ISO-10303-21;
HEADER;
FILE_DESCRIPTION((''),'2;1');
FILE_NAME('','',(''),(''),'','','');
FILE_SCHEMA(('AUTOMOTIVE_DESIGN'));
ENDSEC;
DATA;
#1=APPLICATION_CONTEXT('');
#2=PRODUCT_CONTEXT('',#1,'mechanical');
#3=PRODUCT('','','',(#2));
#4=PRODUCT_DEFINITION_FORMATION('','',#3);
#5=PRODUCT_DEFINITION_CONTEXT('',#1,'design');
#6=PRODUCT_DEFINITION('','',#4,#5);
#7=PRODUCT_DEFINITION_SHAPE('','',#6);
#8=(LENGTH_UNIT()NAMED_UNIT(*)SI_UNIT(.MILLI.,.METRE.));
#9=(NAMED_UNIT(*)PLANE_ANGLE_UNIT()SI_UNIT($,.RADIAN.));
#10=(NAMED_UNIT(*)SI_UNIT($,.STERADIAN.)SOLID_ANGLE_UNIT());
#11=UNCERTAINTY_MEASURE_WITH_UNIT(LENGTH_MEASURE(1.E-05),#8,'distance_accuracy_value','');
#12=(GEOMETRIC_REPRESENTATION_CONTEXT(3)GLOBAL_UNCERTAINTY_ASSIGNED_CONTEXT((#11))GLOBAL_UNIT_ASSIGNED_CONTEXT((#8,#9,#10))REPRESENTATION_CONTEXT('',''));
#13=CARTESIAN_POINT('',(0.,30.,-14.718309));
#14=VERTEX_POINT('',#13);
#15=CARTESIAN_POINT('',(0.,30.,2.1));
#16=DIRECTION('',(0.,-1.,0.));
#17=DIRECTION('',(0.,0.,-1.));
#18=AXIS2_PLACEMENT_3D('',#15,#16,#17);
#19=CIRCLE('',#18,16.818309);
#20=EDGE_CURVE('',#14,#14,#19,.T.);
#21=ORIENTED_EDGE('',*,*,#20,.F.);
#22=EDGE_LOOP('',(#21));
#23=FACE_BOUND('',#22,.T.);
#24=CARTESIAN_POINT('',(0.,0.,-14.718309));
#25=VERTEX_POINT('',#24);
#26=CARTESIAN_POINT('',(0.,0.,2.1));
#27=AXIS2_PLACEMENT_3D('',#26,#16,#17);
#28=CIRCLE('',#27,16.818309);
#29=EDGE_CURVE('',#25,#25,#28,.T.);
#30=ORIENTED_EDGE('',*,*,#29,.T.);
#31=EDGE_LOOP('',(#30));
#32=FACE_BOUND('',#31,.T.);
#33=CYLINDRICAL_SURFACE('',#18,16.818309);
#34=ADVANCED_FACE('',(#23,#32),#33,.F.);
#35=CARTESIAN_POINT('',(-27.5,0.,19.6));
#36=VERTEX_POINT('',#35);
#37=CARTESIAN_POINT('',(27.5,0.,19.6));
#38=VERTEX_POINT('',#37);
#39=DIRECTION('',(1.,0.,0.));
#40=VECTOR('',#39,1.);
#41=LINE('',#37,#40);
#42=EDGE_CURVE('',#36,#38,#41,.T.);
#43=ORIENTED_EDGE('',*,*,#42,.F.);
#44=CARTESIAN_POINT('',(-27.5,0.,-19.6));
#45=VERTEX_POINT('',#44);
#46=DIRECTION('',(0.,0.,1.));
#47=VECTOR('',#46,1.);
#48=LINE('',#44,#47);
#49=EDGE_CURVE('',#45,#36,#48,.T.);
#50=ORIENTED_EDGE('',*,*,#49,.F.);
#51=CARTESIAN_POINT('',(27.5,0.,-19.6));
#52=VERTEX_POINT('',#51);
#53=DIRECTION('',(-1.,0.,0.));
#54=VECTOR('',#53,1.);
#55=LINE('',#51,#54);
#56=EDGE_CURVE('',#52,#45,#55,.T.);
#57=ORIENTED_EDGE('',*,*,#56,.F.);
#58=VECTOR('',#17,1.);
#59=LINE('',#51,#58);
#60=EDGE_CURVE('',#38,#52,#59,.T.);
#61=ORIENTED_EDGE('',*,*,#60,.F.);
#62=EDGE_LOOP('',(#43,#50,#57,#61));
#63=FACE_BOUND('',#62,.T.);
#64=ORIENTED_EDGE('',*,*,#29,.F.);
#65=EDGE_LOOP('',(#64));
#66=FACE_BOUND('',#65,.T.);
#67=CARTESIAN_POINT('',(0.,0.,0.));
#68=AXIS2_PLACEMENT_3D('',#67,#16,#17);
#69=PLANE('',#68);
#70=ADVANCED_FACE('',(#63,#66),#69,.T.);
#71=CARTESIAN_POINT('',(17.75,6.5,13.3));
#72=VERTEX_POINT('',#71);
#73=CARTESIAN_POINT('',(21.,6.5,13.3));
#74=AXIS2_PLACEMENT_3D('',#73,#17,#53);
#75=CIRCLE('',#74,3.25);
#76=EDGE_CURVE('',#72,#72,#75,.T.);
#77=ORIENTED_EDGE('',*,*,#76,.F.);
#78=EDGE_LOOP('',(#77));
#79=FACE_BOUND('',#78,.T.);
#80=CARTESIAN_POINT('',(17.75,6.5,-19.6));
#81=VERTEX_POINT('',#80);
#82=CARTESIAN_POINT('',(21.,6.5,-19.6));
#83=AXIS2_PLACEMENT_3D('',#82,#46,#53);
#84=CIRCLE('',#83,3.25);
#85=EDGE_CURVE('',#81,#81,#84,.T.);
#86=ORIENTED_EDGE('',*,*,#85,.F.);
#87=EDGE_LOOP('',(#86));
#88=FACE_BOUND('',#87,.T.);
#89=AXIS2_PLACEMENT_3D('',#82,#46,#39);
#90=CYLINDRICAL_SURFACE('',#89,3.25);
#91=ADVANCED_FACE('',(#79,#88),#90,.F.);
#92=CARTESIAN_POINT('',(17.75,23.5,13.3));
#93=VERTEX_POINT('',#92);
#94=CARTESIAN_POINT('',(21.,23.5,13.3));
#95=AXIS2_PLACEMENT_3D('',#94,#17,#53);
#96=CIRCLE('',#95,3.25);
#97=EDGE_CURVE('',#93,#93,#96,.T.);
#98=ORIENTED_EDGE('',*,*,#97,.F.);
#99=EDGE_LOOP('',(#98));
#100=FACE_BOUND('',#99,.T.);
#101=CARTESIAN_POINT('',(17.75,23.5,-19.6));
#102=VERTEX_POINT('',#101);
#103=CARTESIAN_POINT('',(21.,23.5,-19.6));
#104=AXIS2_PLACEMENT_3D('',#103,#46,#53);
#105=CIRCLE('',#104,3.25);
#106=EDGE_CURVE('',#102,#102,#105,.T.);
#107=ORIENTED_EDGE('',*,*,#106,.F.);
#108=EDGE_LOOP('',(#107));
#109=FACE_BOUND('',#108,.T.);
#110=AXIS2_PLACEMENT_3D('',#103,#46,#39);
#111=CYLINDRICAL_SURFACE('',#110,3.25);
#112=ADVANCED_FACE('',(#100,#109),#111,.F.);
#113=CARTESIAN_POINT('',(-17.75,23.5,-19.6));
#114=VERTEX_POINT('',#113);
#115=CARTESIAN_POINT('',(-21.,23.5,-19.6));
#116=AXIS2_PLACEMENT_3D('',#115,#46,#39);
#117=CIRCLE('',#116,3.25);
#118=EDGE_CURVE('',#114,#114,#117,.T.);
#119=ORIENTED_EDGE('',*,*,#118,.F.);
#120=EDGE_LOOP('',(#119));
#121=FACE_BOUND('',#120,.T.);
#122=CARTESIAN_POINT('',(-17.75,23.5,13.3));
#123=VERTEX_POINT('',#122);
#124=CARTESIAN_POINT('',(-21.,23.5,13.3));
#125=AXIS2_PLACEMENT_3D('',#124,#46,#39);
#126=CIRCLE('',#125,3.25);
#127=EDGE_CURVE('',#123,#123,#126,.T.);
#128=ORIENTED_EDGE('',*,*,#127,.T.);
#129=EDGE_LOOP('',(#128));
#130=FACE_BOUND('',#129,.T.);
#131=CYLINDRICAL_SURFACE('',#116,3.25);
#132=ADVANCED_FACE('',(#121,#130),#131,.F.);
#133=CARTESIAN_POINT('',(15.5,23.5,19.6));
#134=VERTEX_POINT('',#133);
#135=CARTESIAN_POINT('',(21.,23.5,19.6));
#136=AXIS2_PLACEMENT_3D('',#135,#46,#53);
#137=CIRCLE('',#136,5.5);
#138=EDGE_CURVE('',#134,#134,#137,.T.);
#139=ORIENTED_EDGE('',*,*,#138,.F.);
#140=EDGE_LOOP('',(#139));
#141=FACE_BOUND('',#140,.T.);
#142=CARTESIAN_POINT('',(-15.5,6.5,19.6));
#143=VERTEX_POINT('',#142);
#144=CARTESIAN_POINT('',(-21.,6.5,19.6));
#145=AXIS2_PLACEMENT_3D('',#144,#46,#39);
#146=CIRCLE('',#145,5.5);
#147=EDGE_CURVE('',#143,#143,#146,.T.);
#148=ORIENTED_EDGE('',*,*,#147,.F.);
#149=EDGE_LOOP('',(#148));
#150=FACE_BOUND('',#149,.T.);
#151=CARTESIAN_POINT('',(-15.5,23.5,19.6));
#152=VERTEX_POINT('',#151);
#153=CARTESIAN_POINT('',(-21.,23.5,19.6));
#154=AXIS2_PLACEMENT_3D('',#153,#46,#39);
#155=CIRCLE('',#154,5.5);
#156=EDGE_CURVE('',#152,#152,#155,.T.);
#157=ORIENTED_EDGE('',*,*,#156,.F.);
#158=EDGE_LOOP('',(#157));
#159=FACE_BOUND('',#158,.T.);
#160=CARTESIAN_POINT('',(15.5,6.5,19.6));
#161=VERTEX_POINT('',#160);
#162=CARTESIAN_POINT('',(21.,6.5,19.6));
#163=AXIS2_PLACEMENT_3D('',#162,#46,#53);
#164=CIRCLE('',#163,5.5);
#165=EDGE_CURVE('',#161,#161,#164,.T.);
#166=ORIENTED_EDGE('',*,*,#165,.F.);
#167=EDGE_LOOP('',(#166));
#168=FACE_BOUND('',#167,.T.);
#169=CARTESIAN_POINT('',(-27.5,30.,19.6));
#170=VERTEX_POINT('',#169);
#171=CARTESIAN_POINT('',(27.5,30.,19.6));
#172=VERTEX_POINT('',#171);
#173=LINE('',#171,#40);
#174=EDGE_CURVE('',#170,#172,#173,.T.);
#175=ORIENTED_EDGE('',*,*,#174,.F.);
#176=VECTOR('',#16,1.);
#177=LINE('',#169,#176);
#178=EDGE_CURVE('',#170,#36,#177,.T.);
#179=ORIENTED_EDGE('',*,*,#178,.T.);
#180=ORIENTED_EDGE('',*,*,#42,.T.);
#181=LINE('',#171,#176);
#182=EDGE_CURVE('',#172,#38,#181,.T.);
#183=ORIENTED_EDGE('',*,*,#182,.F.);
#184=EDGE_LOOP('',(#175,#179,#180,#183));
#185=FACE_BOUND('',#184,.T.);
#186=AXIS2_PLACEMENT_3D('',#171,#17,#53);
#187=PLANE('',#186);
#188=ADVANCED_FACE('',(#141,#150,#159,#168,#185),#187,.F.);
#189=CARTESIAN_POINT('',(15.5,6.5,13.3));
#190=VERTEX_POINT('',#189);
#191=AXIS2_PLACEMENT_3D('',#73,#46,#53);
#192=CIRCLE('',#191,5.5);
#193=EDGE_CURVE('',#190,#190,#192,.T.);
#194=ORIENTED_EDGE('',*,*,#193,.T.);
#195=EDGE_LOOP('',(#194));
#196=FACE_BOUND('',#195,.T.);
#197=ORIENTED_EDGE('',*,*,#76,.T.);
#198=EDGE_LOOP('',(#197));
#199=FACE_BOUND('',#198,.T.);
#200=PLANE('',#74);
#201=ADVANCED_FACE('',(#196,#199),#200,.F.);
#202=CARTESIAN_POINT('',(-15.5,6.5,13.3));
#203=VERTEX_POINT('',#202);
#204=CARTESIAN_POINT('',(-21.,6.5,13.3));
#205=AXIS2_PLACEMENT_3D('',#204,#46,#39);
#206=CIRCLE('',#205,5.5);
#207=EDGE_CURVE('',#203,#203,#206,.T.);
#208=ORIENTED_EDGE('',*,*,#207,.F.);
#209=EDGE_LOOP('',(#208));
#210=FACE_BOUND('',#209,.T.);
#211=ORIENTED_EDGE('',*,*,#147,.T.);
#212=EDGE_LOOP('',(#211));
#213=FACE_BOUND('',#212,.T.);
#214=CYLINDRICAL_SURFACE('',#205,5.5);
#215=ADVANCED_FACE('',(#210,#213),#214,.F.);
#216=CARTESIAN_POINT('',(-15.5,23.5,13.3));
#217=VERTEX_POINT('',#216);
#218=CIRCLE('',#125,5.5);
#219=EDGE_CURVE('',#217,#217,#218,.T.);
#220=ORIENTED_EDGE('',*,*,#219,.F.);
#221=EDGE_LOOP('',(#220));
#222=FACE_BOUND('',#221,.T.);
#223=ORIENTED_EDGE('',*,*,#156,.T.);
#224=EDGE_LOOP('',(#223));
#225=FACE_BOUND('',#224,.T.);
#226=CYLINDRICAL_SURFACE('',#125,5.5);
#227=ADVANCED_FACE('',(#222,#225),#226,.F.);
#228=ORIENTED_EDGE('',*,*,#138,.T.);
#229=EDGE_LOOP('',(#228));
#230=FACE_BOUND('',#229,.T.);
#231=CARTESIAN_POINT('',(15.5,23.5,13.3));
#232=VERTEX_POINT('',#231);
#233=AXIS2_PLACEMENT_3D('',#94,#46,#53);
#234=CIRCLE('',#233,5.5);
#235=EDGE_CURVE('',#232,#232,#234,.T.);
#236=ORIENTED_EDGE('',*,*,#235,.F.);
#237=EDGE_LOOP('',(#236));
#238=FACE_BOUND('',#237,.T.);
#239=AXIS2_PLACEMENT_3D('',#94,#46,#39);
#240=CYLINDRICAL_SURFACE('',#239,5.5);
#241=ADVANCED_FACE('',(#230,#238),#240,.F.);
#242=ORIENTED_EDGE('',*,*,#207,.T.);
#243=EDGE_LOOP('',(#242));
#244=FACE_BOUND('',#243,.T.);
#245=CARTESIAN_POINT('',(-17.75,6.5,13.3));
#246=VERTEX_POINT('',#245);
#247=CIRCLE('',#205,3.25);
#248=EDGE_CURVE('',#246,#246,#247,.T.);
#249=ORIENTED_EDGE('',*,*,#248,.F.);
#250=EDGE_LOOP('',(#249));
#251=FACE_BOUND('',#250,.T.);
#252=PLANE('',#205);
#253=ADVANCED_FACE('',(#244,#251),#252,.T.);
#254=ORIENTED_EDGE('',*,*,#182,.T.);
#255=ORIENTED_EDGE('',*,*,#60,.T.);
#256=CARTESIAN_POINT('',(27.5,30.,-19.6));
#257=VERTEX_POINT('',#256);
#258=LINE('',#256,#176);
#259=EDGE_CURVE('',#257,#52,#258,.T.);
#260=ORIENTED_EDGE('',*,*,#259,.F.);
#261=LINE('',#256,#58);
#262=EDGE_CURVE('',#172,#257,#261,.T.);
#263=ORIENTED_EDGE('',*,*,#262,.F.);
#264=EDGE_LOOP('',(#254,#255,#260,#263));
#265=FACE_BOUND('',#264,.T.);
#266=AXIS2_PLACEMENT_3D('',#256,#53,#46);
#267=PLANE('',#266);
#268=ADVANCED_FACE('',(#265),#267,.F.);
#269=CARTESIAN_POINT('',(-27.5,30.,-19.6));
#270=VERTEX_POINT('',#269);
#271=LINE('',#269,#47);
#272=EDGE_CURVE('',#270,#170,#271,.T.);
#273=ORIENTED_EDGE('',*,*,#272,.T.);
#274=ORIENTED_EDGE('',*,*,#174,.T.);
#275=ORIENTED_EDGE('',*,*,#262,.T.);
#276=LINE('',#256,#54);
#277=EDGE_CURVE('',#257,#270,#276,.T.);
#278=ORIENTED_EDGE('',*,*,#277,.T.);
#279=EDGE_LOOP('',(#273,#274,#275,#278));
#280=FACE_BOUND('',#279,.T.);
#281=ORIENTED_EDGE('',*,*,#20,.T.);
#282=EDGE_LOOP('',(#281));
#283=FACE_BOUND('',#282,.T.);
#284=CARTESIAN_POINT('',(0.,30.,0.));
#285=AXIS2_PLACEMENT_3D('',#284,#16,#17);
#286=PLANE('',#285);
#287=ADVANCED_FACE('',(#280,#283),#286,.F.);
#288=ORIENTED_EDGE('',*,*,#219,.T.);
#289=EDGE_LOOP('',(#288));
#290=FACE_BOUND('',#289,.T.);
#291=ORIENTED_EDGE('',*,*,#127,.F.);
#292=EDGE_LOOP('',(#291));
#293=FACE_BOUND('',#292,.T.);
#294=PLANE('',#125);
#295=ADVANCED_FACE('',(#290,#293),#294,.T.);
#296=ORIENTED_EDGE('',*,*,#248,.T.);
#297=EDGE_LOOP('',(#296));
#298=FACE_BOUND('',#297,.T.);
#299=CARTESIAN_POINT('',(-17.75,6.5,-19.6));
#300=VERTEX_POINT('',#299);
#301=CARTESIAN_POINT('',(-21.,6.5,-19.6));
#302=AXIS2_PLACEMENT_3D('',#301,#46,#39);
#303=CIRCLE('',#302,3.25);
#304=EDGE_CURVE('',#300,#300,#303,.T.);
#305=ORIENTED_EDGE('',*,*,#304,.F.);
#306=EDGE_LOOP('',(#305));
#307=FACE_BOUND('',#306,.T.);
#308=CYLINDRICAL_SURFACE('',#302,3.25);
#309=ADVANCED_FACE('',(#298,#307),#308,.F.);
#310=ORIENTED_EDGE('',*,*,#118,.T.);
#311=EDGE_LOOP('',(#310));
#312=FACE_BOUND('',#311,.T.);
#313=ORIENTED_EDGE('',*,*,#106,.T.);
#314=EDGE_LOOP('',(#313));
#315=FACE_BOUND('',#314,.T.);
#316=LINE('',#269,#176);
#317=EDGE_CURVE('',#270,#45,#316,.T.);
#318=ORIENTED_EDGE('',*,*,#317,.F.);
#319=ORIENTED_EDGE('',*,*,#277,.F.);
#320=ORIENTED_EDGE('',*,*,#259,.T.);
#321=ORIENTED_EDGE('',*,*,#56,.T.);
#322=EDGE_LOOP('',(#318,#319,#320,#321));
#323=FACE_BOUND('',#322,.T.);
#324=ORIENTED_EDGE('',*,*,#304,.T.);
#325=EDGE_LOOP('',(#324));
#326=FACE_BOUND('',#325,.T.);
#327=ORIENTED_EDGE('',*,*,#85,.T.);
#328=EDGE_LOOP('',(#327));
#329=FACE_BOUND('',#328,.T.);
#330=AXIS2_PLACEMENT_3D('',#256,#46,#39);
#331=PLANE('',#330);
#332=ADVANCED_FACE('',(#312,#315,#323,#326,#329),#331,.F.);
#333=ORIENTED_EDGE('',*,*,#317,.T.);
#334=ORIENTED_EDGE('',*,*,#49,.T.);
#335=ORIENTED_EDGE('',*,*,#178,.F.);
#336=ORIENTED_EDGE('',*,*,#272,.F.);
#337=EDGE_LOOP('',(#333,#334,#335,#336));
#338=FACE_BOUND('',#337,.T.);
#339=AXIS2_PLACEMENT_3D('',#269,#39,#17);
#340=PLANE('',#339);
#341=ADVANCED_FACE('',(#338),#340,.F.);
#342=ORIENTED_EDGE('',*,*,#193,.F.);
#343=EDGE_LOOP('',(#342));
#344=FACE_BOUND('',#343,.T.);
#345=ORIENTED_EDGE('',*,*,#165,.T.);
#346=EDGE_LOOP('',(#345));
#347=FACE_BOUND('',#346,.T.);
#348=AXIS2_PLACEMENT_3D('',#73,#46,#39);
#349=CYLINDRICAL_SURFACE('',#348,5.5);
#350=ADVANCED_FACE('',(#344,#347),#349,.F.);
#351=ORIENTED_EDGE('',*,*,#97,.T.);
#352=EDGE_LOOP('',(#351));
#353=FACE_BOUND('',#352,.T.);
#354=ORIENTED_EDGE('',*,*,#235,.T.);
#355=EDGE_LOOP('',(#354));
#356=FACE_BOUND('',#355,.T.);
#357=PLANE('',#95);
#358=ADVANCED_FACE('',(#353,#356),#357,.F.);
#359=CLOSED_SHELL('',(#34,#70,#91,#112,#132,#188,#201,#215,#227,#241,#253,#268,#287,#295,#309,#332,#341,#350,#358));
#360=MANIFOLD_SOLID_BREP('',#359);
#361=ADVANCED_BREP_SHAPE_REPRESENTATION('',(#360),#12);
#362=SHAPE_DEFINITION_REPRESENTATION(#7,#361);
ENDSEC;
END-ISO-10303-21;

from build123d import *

# Parameters (mm, degrees)
SKETCH1_W           = 55
SKETCH1_H           = 39.2
BOSS_EXTRUDE1_DEPTH = 30
SKETCH2_R           = 16.818308595
CUT_EXTRUDE1_DEPTH  = 46.170897711
SKETCH3_R           = 5.5
CUT_EXTRUDE2_DEPTH  = 6.3
SKETCH5_R           = 3.25
CUT_EXTRUDE3_DEPTH  = 57.505663433


with BuildPart() as part:
    # Sketch1 → Boss-Extrude1 (new body)
    with BuildSketch(Plane(origin=(0, 0, 0), x_dir=(1, 0, 0), z_dir=(0, 1, 0))):
        Rectangle(SKETCH1_W, SKETCH1_H)
    extrude(amount=BOSS_EXTRUDE1_DEPTH)

    # Sketch2 → Cut-Extrude1 (cut, through all)
    with BuildSketch(Plane.XZ):
        with Locations(Location((0, 2.1, 0), (0, 0, 270))):
            Circle(SKETCH2_R)
    extrude(amount=-CUT_EXTRUDE1_DEPTH, mode=Mode.SUBTRACT)

    # Sketch3 → Cut-Extrude2 (cut)
    with BuildSketch(Plane.XY.offset(19.6)):
        with Locations((-21, 23.5)):
            Circle(SKETCH3_R)
        with Locations((-21, 6.5)):
            Circle(SKETCH3_R)
        with Locations(Location((21, 6.5, 0), (0, 0, 180))):
            Circle(SKETCH3_R)
        with Locations(Location((21, 23.5, 0), (0, 0, 180))):
            Circle(SKETCH3_R)
    extrude(amount=-CUT_EXTRUDE2_DEPTH, mode=Mode.SUBTRACT)

    # Sketch5 → Cut-Extrude3 (cut, through all)
    with BuildSketch(Plane.XY.offset(19.6)):
        with Locations((-21, 6.5)):
            Circle(SKETCH5_R)
        with Locations((-21, 23.5)):
            Circle(SKETCH5_R)
        with Locations(Location((21, 23.5, 0), (0, 0, 180))):
            Circle(SKETCH5_R)
        with Locations(Location((21, 6.5, 0), (0, 0, 180))):
            Circle(SKETCH5_R)
    extrude(amount=-CUT_EXTRUDE3_DEPTH, mode=Mode.SUBTRACT)


solid = part.part
